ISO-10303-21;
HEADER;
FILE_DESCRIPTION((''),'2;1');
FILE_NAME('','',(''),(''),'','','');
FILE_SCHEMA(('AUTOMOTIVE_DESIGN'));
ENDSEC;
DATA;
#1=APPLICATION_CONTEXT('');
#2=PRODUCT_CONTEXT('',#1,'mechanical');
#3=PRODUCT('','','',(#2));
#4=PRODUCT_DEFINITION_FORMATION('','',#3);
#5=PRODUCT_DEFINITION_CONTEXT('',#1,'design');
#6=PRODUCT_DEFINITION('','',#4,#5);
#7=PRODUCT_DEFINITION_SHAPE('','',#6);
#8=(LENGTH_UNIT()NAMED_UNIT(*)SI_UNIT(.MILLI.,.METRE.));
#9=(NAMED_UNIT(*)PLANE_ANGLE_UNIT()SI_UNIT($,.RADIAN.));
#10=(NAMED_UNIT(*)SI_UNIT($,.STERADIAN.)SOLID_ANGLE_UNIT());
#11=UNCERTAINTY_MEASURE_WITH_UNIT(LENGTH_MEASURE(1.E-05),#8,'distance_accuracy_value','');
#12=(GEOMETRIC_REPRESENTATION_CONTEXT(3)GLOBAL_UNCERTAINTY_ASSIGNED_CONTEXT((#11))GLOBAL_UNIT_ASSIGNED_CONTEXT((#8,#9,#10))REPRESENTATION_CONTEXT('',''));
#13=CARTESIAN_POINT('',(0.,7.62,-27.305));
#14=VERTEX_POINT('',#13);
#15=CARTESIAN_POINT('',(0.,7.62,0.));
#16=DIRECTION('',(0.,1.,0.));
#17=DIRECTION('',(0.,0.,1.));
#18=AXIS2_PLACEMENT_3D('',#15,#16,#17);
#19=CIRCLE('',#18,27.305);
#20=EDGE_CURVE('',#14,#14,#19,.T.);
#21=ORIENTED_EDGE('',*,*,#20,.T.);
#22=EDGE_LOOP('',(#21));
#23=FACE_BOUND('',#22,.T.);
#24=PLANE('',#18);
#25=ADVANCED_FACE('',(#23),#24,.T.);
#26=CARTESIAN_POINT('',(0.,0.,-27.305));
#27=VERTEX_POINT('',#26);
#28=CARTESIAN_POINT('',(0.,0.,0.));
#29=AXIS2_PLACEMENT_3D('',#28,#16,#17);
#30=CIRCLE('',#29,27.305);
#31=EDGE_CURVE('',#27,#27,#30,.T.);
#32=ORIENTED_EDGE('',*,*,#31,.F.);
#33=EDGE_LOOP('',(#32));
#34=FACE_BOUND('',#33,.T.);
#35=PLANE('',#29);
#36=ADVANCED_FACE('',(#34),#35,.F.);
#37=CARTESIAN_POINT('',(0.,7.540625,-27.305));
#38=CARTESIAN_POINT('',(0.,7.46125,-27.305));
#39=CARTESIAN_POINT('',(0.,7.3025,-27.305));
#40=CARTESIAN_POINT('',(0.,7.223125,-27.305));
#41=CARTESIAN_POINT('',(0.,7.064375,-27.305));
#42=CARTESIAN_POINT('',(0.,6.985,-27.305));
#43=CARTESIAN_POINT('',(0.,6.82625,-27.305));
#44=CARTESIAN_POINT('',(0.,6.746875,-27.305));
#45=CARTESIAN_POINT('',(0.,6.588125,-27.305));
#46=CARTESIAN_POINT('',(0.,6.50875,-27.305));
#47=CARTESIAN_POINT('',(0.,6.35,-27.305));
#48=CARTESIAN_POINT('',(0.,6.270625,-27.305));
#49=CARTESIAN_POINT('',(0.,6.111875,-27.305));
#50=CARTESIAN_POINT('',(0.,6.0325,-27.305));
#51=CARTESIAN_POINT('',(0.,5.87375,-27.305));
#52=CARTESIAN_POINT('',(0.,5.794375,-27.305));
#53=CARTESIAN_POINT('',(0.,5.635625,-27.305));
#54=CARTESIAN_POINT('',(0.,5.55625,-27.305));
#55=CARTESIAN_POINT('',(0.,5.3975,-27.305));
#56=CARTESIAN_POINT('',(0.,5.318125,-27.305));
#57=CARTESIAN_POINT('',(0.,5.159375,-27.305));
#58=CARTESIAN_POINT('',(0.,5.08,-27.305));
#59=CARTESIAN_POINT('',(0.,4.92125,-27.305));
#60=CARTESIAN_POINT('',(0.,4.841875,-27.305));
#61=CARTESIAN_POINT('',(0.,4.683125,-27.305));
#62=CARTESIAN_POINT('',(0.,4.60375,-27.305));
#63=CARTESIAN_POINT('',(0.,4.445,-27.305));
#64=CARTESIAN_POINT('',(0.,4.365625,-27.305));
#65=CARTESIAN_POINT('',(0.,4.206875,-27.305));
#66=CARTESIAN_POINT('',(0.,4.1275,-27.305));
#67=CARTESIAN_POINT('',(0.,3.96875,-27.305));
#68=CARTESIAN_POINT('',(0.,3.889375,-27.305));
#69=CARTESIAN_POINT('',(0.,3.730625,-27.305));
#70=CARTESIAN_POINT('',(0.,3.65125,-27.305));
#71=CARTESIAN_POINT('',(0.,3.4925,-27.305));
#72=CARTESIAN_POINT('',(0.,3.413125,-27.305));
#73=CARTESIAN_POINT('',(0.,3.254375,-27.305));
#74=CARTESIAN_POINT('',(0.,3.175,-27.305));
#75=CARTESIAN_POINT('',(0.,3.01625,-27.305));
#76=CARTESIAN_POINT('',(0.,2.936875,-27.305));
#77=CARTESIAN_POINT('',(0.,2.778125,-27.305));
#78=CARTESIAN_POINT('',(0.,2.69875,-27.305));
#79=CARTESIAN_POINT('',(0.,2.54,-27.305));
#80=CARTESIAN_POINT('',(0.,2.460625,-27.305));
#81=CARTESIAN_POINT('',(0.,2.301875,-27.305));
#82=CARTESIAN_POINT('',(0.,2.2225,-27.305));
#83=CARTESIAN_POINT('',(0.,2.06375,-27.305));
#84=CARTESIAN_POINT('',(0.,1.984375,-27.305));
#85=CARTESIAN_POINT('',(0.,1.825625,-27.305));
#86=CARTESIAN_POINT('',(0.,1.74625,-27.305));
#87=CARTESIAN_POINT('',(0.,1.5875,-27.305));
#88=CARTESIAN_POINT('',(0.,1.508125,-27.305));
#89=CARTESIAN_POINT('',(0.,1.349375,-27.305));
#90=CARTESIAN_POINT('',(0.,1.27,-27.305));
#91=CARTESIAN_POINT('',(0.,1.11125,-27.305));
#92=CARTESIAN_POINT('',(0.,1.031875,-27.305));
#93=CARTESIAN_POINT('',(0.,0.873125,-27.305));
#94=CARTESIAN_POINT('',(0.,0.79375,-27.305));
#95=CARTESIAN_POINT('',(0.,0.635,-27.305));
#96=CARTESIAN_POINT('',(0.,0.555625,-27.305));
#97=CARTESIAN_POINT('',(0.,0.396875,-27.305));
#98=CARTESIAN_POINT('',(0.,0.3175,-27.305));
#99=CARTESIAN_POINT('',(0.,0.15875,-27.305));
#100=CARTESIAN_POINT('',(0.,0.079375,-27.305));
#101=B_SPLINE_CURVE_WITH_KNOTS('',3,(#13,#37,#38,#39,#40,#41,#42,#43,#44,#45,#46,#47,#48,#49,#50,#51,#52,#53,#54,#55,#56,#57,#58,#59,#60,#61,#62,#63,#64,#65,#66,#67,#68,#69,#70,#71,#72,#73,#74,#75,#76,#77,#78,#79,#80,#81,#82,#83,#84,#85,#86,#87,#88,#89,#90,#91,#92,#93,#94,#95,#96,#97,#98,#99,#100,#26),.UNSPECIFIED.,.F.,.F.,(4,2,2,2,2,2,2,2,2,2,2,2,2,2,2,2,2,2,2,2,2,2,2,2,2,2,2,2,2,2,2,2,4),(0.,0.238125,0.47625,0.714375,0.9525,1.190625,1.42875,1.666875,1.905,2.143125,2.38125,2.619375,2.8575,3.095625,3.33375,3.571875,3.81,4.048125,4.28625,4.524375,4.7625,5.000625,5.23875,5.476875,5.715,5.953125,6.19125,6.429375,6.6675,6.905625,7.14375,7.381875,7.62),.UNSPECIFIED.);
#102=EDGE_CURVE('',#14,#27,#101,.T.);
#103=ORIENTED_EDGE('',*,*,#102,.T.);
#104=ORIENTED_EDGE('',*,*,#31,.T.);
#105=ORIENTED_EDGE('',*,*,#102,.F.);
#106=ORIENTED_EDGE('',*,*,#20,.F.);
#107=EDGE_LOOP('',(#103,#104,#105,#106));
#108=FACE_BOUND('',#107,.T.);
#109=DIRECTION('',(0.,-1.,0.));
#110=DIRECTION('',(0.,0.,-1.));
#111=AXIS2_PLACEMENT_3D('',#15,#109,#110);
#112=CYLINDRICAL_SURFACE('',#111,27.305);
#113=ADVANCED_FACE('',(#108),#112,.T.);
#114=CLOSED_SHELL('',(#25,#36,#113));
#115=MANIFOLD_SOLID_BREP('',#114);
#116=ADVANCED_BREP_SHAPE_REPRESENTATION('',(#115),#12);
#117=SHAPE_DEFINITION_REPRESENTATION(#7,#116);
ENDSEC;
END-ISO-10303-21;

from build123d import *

# Parameters (mm, degrees)
SKETCH1_R           = 27.305
BOSS_EXTRUDE1_DEPTH = 7.62


with BuildPart() as part:
    # Sketch1 → Boss-Extrude1 (new body)
    with BuildSketch(Plane(origin=(0, 0, 0), x_dir=(1, 0, 0), z_dir=(0, 1, 0))):
        with Locations(Location((0, 0, 0), (0, 0, 90))):
            Circle(SKETCH1_R)
    extrude(amount=BOSS_EXTRUDE1_DEPTH)


solid = part.part
